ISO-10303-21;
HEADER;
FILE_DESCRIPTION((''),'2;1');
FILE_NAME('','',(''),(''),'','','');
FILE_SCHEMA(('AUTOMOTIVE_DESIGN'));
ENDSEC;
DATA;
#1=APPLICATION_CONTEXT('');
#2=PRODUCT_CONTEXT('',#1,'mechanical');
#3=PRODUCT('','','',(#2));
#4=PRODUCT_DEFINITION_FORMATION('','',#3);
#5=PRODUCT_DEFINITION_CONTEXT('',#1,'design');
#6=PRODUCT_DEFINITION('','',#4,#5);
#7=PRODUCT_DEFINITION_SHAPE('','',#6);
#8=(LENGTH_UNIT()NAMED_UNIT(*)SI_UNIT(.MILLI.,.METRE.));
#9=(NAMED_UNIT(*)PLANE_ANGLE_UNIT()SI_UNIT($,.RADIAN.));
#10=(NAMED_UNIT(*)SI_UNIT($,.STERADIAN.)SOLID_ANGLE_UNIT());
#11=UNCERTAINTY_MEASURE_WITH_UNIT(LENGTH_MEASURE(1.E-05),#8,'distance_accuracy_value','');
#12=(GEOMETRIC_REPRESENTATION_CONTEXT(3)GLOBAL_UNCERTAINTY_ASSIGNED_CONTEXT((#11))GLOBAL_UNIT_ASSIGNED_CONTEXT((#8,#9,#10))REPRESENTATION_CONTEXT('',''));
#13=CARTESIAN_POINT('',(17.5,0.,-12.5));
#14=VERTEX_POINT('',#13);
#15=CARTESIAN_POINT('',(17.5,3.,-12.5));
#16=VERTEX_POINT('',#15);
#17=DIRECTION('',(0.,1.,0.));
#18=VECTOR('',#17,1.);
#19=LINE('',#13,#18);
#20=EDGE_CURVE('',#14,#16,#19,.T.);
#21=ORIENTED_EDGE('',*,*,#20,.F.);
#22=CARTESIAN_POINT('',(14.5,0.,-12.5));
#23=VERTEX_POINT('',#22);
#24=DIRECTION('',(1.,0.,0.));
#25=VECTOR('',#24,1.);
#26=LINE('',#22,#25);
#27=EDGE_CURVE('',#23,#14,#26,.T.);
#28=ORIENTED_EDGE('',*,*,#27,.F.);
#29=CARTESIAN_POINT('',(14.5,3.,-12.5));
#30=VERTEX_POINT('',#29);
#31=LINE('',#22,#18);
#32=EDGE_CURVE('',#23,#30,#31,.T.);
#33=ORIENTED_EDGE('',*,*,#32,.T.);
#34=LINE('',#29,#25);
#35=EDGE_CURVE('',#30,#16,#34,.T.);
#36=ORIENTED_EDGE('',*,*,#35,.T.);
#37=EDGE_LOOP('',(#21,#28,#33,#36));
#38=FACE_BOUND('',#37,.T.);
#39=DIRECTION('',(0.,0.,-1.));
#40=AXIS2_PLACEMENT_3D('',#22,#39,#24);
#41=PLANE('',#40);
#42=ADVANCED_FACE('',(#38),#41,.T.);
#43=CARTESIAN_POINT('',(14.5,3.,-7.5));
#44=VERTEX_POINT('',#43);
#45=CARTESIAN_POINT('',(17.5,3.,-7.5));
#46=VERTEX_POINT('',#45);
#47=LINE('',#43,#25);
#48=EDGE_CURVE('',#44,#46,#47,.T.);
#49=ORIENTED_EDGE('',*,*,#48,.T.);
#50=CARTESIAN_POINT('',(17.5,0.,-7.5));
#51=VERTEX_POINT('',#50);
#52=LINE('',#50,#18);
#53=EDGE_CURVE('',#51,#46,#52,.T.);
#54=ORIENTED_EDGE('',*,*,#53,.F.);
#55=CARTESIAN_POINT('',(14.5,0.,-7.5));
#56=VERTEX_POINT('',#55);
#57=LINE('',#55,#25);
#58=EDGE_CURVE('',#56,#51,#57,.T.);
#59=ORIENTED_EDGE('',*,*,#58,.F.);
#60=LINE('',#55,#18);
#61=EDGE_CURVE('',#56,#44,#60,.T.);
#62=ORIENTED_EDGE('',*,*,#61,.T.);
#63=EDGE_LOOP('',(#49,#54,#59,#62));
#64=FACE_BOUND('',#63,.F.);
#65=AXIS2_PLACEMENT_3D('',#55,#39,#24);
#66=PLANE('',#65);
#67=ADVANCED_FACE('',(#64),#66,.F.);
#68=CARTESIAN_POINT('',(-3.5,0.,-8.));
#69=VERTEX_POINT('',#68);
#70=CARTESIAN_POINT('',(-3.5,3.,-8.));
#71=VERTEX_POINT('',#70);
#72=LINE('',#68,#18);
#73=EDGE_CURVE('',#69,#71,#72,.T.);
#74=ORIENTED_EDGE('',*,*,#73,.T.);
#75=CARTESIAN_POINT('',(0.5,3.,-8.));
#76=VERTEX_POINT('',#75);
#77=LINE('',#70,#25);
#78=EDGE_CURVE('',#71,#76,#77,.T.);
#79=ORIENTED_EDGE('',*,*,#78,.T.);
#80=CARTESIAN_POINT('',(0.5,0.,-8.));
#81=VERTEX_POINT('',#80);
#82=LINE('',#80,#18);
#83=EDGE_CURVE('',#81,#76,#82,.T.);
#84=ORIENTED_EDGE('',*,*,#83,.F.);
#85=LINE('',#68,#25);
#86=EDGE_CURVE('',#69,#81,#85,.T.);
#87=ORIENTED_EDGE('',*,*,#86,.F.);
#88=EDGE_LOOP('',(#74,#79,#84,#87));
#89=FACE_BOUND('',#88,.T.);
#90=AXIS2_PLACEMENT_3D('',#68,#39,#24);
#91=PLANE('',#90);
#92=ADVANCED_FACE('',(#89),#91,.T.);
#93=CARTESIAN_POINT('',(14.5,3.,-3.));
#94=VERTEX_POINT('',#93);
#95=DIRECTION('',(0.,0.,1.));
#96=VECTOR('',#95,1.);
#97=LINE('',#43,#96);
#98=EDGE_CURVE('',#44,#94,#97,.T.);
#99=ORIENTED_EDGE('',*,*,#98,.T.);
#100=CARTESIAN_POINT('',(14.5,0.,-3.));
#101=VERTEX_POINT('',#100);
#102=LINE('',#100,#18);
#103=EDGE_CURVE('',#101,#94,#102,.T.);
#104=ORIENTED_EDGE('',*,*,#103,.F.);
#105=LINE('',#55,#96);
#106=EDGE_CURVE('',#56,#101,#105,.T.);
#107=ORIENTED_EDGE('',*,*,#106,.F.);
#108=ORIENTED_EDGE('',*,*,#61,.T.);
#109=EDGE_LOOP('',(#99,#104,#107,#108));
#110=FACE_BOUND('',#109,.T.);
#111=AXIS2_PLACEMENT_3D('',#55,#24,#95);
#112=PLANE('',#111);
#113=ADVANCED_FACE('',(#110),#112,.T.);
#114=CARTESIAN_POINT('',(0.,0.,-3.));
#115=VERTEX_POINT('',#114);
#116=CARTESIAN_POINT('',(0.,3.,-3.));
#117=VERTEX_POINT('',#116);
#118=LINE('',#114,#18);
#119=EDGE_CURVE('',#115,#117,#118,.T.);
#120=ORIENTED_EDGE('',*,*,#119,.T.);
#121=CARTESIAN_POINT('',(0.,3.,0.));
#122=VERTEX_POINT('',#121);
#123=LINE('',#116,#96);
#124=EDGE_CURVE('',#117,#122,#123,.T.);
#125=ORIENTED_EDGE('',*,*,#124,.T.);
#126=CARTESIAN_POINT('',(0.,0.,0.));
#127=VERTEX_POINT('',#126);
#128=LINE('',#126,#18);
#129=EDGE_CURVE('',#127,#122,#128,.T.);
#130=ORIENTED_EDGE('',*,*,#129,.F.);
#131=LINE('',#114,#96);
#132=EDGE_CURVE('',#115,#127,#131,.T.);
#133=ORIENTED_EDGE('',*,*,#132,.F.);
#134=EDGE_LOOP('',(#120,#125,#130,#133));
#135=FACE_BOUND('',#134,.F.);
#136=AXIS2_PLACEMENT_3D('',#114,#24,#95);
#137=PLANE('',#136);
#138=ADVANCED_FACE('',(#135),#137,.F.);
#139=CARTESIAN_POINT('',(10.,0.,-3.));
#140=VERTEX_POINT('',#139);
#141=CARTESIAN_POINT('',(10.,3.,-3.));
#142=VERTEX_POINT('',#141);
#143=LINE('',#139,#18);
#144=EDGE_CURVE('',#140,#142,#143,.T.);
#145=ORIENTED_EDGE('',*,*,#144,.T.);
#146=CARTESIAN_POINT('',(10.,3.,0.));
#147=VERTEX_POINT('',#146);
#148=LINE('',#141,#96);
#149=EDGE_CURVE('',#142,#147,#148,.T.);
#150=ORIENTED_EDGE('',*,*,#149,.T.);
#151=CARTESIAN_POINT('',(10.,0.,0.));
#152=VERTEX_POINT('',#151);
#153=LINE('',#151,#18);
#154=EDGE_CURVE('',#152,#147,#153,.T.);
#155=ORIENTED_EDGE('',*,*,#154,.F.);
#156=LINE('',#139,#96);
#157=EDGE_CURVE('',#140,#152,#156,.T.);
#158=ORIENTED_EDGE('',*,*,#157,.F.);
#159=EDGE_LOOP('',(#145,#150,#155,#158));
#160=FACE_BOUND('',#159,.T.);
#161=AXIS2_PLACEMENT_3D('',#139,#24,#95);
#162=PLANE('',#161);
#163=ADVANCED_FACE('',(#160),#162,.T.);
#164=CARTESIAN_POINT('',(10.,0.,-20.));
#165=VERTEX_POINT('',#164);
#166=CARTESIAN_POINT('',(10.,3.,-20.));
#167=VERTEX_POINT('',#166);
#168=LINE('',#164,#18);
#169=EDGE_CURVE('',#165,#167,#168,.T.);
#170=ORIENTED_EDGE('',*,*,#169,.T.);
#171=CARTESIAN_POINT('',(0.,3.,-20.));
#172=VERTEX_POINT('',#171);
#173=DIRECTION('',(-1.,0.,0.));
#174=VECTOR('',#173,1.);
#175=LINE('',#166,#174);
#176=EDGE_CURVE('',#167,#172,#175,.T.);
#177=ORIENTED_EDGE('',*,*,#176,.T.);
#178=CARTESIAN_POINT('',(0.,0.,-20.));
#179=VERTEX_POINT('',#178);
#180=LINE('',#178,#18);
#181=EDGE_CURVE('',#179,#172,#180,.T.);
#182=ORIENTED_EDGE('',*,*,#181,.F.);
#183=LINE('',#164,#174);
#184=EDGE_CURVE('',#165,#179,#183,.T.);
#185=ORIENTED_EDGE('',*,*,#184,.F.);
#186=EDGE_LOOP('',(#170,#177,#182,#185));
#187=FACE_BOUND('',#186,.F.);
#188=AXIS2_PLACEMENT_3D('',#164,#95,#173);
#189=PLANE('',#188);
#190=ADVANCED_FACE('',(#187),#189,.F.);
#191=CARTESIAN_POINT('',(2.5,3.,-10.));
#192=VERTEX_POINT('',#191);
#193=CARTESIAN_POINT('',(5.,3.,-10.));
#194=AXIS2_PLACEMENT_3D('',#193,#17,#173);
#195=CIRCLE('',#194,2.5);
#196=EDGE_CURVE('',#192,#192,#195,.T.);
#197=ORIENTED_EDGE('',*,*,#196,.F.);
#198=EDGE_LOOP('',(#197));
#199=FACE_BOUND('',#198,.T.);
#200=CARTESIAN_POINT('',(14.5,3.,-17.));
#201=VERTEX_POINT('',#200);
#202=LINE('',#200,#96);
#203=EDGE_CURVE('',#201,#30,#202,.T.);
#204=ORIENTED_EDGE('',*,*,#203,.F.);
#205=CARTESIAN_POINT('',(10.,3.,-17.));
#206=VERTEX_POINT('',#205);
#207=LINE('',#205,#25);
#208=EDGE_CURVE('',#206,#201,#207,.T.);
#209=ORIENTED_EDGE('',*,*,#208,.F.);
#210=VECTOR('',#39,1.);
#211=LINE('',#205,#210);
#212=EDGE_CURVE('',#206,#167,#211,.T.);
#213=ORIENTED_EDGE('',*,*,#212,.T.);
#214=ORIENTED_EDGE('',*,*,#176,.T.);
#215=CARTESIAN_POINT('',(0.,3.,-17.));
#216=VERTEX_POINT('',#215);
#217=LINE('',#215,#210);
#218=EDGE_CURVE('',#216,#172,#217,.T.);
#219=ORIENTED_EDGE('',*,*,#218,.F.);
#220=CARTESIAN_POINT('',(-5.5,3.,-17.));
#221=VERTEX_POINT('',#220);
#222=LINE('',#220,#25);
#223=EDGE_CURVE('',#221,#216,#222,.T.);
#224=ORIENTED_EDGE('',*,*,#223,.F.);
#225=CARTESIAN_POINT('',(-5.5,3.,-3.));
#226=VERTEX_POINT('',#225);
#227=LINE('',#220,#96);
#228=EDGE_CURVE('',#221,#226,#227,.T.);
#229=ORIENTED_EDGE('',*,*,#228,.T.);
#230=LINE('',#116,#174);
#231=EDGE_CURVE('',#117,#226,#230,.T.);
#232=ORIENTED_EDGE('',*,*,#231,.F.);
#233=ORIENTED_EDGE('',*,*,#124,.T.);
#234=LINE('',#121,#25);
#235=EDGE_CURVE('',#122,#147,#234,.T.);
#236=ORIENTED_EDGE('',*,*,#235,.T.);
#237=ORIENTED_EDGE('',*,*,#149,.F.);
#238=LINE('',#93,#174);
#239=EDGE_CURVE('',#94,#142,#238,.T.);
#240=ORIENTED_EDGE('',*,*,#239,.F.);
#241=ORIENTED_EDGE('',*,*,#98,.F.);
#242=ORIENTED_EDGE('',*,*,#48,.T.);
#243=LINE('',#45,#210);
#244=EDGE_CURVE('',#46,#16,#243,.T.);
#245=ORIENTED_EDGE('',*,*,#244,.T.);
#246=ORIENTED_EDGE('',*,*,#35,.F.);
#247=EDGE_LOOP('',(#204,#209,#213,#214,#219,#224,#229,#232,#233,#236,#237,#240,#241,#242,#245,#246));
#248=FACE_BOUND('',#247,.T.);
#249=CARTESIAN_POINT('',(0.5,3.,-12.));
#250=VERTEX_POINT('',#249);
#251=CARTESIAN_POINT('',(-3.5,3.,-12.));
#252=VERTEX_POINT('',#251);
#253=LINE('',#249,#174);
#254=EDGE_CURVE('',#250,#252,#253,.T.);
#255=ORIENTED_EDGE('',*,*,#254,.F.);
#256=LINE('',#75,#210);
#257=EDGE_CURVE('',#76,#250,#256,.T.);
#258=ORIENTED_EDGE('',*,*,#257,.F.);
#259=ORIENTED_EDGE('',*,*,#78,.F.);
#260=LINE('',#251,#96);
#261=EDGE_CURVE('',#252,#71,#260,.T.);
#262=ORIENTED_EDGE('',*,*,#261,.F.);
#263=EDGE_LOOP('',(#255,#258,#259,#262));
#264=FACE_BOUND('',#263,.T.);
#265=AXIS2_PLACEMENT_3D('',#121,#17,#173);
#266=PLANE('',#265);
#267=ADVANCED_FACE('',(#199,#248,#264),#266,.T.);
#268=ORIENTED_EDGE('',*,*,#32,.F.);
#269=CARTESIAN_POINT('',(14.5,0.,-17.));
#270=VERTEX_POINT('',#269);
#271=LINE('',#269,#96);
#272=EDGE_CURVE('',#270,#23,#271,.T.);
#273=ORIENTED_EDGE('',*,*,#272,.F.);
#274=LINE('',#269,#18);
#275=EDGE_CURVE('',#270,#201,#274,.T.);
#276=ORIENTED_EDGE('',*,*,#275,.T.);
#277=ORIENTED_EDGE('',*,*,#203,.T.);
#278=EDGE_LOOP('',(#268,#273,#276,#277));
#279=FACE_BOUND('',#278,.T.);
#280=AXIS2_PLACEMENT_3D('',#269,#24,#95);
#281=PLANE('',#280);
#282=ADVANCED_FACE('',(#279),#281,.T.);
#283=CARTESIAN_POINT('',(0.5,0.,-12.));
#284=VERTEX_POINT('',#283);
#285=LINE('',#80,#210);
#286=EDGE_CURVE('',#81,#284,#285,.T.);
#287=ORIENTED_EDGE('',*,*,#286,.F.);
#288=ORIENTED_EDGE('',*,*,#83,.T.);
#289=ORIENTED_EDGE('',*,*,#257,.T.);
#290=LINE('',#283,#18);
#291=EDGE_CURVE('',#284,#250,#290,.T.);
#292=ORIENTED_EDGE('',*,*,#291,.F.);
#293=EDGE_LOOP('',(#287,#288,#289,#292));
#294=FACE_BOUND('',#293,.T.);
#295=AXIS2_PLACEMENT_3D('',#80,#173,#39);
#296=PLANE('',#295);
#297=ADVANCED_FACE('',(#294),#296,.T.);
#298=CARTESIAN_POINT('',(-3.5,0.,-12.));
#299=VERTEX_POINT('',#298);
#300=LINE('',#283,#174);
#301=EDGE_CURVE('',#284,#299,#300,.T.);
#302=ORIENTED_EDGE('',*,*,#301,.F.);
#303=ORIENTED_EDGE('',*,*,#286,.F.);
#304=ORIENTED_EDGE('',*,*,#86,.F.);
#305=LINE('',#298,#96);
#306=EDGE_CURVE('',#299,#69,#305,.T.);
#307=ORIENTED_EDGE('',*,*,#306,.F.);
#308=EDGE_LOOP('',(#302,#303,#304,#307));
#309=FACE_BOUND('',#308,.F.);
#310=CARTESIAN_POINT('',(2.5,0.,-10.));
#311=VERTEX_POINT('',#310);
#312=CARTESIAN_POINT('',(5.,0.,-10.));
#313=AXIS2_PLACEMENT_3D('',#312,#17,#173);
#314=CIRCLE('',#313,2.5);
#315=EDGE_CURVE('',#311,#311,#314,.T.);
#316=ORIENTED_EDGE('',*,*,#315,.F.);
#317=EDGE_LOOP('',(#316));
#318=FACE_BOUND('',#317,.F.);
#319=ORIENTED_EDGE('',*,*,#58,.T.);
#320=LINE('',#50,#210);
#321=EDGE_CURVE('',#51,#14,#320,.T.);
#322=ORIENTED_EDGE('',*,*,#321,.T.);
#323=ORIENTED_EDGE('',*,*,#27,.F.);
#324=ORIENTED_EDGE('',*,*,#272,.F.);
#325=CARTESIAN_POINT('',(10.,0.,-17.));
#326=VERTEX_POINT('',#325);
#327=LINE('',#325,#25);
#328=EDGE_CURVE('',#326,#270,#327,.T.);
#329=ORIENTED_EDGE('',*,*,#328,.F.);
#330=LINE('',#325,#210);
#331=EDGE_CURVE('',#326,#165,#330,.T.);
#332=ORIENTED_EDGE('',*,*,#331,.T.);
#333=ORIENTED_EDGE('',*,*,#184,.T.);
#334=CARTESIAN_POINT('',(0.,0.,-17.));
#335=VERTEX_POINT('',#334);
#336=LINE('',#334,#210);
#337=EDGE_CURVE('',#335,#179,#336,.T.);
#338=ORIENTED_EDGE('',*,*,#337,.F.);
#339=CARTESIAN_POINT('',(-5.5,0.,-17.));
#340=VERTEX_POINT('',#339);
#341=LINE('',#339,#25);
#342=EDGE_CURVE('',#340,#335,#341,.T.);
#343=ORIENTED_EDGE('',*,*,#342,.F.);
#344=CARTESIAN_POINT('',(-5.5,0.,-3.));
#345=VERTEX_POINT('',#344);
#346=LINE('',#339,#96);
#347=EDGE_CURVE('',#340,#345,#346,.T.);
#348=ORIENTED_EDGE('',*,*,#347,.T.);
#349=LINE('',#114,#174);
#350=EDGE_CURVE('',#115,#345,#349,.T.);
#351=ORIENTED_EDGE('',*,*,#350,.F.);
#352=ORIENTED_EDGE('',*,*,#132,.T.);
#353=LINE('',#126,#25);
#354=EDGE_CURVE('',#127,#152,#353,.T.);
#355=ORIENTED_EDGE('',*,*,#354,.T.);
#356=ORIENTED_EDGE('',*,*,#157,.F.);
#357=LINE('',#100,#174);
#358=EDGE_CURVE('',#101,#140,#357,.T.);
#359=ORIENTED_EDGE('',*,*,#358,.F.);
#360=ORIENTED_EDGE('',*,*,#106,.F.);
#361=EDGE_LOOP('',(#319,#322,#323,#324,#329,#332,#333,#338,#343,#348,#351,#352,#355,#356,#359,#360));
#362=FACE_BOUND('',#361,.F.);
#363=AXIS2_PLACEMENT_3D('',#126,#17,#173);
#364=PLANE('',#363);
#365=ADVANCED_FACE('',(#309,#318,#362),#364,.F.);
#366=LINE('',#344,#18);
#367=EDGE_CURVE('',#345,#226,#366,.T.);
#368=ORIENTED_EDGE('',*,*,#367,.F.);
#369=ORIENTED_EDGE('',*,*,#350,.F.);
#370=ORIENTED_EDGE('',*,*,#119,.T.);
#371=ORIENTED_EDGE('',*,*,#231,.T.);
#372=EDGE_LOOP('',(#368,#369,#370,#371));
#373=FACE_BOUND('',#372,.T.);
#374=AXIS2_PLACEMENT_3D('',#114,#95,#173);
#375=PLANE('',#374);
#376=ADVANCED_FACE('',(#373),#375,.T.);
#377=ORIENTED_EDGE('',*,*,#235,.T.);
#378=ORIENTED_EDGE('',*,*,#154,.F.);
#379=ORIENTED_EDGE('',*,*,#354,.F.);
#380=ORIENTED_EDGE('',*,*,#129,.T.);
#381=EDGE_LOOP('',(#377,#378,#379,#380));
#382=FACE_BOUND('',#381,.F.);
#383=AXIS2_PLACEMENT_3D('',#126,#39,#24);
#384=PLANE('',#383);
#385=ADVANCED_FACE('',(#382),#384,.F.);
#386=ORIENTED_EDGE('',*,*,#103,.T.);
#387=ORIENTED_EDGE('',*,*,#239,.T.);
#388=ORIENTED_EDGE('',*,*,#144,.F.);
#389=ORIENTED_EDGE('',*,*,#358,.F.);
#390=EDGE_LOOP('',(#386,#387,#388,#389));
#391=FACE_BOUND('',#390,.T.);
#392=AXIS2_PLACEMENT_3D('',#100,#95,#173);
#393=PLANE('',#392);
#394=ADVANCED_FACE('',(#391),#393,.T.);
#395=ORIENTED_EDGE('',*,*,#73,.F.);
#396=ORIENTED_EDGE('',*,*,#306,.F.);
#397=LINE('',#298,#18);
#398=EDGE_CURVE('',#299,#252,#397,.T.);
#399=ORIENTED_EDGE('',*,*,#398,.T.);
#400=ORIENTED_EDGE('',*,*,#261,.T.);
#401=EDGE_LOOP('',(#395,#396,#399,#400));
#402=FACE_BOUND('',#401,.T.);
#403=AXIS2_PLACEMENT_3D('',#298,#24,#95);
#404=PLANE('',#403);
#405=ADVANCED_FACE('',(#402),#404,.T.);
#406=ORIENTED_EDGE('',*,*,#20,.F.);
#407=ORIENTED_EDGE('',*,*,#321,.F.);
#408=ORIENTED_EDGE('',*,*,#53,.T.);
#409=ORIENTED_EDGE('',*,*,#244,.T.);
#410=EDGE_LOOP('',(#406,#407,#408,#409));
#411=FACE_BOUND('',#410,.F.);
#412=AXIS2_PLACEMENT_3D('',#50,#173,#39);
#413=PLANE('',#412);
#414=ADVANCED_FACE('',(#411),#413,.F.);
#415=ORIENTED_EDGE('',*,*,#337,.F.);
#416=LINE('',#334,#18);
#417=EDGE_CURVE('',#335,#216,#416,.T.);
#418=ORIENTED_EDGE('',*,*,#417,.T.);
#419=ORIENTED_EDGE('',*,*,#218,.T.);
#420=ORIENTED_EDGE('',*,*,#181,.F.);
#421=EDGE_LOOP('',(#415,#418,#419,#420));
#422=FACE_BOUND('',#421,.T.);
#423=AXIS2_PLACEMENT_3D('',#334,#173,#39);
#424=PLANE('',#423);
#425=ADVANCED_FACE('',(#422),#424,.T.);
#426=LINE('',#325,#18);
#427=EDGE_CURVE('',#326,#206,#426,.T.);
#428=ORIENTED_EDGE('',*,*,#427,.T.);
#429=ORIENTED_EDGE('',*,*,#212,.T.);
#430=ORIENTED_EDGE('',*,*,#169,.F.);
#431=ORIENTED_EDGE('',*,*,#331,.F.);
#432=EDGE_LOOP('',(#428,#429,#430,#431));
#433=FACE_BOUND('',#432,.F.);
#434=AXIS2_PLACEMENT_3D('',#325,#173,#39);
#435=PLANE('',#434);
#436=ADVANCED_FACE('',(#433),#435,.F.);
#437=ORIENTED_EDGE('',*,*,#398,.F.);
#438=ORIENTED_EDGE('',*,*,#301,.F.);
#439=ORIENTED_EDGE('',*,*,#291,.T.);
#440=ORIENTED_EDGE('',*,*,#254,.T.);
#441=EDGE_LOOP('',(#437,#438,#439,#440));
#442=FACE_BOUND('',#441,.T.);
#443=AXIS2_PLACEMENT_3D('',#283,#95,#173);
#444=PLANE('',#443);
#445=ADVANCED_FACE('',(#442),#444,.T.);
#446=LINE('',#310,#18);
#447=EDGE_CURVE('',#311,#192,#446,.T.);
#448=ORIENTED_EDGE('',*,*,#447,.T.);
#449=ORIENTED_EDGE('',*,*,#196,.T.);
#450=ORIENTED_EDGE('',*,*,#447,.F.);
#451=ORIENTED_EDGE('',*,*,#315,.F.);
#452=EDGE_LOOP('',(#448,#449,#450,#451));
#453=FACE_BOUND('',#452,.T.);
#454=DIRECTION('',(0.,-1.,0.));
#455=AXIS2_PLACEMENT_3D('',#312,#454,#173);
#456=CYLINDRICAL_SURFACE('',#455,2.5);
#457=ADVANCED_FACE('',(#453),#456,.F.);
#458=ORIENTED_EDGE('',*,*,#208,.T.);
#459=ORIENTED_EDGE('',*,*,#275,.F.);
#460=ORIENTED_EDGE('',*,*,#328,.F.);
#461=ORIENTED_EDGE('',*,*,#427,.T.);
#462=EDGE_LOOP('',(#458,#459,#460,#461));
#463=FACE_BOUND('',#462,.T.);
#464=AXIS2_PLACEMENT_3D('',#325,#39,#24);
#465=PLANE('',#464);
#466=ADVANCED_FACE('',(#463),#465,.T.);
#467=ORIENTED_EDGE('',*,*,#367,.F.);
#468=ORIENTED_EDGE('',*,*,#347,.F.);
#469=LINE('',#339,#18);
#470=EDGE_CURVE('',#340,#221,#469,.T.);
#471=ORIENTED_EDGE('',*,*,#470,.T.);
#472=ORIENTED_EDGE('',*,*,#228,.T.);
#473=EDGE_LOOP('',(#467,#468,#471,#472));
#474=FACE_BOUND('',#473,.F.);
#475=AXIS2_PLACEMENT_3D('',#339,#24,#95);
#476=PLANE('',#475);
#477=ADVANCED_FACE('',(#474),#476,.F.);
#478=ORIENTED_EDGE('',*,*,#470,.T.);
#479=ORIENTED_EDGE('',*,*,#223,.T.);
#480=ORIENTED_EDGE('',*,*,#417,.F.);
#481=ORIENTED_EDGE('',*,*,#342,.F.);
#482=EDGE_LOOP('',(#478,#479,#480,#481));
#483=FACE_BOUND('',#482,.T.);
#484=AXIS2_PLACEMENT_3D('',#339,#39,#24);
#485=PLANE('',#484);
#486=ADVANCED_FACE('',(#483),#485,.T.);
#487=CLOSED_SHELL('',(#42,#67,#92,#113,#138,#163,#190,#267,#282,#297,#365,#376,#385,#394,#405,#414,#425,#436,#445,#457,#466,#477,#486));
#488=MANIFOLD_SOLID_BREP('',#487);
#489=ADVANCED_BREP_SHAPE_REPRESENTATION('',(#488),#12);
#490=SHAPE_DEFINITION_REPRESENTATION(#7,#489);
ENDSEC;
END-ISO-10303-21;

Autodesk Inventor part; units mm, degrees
ref_plane "YZ Plane" through (0, 0, 0) normal (1, 0, 0) x (0, 1, 0)
ref_plane "XZ Plane" through (0, 0, 0) normal (0, 1, 0) x (-1, 0, 0)
ref_plane "XY Plane" through (0, 0, 0) normal (0, 0, 1) x (1, 0, 0)
sketch "Boceto1" plane through (0, 0, 0) normal (0, 1, 0) x (-1, 0, 0)
  line L0 (0, 0) -> (-10, 0)
  line L1 (-17.5, -7.5) -> (-17.5, -12.5)
  line L2 (-10, -20) -> (0, -20)
  line L3 (5.5, -17) -> (5.5, -3)
  line L4 (0, -3) -> (0, 0)
  line L5 (-10, -3) -> (-10, 0)
  line L6 (-14.5, -3) -> (-10, -3)
  line L7 (0, -3) -> (5.5, -3)
  line L8 (0, -17) -> (0, -20)
  line L9 (-10, -17) -> (-10, -20)
  line L10 (5.5, -17) -> (0, -17)
  line L11 (-10, -17) -> (-14.5, -17)
  line L12 (-14.5, -12.5) -> (-17.5, -12.5)
  line L13 (-14.5, -7.5) -> (-17.5, -7.5)
  line L14 (-14.5, -17) -> (-14.5, -12.5)
  line L15 (-14.5, -7.5) -> (-14.5, -3)
  circle A0 centre (-5, -10) radius 2.5
  line L16 (-0.5, -8) -> (-0.5, -12)
  line L17 (-0.5, -12) -> (3.5, -12)
  line L18 (3.5, -12) -> (3.5, -8)
  line L19 (3.5, -8) -> (-0.5, -8)
  point P0 (-17.5, -10)
  point P1 (-5, -20)
  point P2 (-0.5, -10)
  dimension "d0" = 23
  dimension "d1" = 20
  dimension "d4" = 10
  dimension "d6" = 5
  dimension "d7" = 3
  dimension "d8" = 3
  dimension "d10" = 5
  dimension "d13" = 7.5
  dimension "d14" = 4
  dimension "d15" = 4
  dimension "d16" = 2
extrude "Extrusión2" add sketch "Boceto1" along normal blind 3
properties part number "Barilla" material "Oro"
